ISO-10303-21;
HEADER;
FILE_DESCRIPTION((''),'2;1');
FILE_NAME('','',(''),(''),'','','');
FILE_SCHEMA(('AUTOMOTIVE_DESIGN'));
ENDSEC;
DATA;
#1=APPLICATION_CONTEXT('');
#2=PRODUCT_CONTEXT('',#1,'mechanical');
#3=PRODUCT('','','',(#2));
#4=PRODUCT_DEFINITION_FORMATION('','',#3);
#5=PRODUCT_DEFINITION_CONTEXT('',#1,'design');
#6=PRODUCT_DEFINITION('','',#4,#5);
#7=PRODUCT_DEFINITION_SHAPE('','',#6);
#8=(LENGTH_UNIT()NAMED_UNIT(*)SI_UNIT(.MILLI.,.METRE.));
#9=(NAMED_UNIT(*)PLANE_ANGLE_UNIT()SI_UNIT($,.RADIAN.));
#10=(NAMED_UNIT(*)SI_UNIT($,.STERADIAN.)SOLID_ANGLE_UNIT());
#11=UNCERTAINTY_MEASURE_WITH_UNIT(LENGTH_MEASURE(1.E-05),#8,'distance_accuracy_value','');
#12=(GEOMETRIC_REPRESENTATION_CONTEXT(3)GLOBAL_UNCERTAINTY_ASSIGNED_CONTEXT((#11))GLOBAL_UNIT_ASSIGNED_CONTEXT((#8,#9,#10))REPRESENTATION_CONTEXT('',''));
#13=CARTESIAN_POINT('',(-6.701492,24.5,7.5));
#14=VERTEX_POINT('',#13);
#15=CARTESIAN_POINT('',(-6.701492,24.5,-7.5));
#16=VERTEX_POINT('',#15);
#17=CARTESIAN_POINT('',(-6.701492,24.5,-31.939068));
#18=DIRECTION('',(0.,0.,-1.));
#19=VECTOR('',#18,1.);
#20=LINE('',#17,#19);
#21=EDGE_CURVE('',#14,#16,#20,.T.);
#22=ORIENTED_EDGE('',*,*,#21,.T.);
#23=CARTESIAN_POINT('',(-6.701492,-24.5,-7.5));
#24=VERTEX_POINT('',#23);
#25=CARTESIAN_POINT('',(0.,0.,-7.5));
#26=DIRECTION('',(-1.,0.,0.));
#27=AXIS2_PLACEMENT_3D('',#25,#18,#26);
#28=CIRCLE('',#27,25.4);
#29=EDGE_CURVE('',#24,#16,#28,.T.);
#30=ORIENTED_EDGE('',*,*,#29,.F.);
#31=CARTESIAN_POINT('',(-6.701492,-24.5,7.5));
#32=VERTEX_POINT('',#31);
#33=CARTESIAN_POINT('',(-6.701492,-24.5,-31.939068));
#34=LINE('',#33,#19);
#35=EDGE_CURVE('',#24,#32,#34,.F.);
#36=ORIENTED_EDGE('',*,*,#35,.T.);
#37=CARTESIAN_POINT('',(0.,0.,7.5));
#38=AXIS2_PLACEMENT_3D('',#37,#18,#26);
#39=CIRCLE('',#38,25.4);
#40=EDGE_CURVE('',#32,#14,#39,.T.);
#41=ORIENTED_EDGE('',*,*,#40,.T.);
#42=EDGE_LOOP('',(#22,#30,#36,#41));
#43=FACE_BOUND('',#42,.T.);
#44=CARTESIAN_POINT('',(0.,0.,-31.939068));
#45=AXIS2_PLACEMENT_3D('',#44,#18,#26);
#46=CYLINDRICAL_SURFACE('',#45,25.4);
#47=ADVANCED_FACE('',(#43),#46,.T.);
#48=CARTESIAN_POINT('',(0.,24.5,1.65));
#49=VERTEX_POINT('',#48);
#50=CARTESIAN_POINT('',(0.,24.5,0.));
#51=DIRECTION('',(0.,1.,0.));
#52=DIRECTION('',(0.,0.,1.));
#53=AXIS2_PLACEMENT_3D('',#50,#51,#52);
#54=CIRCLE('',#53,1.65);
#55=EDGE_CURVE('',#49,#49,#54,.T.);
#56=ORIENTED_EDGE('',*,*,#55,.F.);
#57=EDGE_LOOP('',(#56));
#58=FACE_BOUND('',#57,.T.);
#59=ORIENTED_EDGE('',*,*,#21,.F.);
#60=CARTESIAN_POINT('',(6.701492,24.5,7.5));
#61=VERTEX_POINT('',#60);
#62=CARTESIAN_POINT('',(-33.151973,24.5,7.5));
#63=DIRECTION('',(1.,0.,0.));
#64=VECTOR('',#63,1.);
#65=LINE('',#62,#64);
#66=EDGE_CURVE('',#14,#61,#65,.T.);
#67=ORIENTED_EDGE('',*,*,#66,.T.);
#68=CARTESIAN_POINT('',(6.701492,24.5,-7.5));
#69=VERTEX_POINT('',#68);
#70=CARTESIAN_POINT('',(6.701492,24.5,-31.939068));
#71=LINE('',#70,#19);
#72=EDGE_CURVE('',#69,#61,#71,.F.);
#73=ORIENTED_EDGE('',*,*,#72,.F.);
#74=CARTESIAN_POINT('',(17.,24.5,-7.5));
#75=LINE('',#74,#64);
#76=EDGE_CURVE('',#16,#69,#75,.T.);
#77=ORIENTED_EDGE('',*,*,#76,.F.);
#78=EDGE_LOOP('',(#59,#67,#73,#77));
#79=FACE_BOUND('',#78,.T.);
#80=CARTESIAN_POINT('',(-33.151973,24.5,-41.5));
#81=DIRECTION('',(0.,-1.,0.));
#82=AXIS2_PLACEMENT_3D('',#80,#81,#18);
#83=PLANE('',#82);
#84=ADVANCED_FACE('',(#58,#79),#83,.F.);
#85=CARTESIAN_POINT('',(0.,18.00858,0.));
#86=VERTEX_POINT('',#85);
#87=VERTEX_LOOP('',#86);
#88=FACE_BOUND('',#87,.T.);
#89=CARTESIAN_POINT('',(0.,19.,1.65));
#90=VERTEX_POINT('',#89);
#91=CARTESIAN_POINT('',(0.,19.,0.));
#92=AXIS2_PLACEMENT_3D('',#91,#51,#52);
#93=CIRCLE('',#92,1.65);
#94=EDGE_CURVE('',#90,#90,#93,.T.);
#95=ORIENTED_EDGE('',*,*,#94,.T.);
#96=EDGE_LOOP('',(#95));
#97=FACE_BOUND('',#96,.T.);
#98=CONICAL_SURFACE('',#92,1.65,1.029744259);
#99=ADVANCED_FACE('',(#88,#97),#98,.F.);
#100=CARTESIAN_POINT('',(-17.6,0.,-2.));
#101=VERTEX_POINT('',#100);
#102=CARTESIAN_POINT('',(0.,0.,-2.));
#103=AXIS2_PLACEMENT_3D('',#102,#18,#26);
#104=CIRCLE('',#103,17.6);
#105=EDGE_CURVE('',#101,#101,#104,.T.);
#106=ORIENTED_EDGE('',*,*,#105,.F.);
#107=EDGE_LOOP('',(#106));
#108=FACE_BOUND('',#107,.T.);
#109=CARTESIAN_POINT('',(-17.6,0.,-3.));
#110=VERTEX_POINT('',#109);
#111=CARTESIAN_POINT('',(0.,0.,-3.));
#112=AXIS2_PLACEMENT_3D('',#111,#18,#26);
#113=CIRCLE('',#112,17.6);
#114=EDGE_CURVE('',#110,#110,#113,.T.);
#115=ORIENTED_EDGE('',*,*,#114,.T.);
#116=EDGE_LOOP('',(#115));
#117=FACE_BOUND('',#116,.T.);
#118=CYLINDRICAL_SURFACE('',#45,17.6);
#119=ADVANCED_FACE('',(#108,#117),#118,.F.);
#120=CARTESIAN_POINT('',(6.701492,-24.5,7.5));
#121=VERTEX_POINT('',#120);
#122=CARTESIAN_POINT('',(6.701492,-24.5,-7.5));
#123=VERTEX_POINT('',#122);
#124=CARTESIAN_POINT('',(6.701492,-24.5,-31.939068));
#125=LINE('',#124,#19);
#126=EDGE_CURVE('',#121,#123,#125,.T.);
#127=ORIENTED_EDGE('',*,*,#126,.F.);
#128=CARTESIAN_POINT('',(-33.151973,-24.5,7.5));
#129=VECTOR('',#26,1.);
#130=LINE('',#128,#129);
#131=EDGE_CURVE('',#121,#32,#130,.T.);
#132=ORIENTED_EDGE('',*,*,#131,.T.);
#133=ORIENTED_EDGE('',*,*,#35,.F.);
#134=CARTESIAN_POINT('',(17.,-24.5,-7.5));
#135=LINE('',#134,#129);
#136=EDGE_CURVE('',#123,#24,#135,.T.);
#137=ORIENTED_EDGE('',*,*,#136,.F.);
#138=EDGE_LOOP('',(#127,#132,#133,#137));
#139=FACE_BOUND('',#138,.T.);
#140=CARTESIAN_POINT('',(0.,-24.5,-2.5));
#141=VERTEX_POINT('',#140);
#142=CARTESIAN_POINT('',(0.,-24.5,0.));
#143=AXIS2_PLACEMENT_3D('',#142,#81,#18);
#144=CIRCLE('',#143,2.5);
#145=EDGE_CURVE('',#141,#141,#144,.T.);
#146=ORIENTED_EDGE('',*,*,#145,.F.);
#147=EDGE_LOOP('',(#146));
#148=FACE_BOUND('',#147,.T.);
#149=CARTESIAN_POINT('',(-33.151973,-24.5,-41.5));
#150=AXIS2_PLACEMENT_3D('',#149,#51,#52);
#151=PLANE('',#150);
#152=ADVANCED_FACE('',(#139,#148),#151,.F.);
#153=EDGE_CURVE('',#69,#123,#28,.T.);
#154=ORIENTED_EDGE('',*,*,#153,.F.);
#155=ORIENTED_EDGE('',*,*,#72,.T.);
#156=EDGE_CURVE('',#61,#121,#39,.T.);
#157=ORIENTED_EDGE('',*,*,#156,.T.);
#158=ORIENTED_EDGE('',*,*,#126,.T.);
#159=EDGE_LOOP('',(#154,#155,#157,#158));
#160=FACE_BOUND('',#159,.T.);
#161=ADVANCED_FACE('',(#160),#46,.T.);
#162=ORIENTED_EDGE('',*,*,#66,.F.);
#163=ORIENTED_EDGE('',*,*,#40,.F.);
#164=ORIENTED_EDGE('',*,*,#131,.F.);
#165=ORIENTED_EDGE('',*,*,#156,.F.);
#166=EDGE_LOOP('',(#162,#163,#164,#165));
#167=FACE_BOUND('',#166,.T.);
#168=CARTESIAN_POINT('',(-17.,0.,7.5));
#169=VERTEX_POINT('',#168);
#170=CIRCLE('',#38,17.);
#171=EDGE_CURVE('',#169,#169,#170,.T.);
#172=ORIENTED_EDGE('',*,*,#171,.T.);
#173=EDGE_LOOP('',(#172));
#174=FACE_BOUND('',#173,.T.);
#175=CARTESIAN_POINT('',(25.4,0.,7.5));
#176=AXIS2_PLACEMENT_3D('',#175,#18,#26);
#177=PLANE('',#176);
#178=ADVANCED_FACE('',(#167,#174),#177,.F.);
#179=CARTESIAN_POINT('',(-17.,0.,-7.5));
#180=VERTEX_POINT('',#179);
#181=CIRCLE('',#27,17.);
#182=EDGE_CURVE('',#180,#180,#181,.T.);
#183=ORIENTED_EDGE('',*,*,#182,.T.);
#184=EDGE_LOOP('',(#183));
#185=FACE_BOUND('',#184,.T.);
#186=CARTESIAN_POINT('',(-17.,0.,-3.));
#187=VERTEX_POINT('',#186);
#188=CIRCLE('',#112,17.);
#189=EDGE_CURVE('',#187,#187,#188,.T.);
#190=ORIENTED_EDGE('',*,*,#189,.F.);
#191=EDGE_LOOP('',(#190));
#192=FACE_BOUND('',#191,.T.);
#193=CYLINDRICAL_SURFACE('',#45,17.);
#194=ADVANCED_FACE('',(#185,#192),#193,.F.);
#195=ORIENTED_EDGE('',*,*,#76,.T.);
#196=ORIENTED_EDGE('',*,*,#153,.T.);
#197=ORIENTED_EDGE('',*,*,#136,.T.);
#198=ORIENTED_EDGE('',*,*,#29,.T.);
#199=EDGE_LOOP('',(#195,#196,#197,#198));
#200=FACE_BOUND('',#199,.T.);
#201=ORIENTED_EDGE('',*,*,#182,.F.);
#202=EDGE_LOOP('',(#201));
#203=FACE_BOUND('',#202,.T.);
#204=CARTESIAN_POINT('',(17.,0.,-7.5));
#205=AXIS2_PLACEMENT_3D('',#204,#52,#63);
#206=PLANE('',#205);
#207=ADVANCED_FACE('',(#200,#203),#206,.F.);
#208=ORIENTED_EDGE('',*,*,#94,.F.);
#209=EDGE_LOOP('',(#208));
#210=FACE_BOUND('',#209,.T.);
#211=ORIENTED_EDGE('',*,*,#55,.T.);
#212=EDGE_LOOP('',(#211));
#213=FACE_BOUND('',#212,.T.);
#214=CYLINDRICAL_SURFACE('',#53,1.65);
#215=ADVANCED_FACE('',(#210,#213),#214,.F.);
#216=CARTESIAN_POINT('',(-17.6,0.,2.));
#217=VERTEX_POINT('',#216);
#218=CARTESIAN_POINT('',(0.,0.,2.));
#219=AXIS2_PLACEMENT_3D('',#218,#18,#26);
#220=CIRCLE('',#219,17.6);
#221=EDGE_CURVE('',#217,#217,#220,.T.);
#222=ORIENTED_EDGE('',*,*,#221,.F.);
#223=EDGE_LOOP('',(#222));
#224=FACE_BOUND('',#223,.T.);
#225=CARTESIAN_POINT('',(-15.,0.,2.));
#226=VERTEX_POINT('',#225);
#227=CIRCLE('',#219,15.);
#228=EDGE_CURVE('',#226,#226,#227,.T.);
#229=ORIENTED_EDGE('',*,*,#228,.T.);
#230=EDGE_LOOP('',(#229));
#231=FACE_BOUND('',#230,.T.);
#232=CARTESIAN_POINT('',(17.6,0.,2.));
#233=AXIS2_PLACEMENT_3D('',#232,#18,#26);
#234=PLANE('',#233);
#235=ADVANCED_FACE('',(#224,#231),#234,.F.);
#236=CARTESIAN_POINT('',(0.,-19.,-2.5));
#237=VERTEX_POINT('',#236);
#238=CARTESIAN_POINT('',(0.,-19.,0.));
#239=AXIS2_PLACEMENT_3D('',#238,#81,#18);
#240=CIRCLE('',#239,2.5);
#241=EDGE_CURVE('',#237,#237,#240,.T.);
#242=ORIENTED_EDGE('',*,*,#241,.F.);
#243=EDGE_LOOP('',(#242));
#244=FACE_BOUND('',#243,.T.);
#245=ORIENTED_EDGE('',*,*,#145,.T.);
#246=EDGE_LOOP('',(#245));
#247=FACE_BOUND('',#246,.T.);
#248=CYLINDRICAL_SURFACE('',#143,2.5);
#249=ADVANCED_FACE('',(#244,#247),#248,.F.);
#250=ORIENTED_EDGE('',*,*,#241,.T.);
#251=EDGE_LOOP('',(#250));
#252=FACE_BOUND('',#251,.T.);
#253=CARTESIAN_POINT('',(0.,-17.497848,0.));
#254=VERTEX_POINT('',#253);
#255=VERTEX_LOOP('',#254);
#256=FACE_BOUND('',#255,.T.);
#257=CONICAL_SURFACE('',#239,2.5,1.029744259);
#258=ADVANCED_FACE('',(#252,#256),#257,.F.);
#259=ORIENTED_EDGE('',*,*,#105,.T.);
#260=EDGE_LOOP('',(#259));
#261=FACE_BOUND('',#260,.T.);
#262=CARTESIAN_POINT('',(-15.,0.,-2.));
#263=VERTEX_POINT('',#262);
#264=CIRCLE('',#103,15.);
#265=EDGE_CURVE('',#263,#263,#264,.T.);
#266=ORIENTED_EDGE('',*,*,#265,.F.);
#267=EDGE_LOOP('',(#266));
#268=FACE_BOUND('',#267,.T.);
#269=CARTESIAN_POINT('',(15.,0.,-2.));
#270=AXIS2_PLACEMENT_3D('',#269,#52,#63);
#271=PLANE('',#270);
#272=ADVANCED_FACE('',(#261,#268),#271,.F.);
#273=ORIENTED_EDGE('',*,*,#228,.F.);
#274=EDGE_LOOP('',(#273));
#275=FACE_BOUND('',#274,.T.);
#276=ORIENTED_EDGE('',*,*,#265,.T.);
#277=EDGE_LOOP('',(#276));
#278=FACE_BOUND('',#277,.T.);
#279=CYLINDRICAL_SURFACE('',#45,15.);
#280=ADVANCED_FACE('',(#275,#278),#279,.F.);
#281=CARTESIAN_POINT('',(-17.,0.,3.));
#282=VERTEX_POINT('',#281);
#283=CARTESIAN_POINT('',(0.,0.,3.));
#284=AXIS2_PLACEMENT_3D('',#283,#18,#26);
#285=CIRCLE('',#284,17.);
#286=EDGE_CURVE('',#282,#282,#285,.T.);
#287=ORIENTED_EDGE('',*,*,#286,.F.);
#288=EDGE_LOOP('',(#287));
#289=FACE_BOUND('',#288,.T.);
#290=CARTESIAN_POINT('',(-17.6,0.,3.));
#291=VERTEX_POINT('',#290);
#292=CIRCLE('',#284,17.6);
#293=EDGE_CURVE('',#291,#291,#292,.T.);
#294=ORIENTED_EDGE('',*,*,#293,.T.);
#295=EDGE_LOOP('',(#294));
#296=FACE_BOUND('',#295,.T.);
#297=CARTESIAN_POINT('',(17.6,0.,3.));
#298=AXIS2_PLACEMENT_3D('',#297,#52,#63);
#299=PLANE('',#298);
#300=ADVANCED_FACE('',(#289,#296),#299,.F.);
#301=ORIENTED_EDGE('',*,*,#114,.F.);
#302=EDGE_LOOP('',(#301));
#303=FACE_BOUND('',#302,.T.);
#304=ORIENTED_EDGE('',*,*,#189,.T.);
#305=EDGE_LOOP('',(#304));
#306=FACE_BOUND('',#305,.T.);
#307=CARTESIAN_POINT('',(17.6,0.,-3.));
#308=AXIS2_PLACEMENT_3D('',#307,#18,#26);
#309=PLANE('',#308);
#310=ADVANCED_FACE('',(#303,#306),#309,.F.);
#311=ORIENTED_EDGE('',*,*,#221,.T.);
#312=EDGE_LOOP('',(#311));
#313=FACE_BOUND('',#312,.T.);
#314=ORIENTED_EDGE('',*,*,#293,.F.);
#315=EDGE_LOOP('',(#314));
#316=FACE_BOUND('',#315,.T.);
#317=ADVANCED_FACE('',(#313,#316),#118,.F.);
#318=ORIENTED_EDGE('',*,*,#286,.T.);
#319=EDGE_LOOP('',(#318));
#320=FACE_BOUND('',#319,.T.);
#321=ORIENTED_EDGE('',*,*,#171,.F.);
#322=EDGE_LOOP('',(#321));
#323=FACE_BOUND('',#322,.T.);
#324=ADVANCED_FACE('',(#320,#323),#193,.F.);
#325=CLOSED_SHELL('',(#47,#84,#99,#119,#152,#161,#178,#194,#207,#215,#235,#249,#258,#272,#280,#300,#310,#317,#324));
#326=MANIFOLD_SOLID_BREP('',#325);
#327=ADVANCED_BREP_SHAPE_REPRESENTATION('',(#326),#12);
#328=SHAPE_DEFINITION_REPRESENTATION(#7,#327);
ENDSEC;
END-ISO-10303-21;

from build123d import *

# Parameters (mm, degrees)
SKETCH_2_W             = 64.02174429
SKETCH_2_H             = 9.248919907
CUT_EXTRUDE_1_DEPTH    = 49
HOLE_WIZARD_M4_2_D     = 3.3
HOLE_WIZARD_M4_2_DEPTH = 5.5
HOLE_WIZARD_M4_2_TIP   = 0.991420021
HOLE_WIZARD_M6_2_D     = 5
HOLE_WIZARD_M6_2_DEPTH = 5.5
HOLE_WIZARD_M6_2_TIP   = 1.502151548


with BuildPart() as part:
    # 草图1 → 旋转1 (revolve)
    with BuildSketch(Plane(origin=(0, 0, 0), x_dir=(1, 0, 0), z_dir=(0, 1, 0)), mode=Mode.PRIVATE) as revolve_1_sk:
        Polygon((25.4, 7.5), (25.4, -7.5), (17, -7.5), (17, -3), (17.6, -3), (17.6, -2), (15, -2), (15, 2), (17.6, 2), (17.6, 3), (17, 3), (17, 7.5), align=None)
    revolve(revolve_1_sk.sketch.rotate(Axis((0, 0, -31.9390681), (0, 0, 1)), 180), axis=Axis((0, 0, -31.9390681), (0, 0, 1)))  # turned: the seam where the file's is

    # 草图2 → 切除-拉伸1 (cut)
    with BuildSketch(Plane.XY.offset(7.5)):
        with Locations((-1.141100508, 29.124459954)):
            Rectangle(SKETCH_2_W, SKETCH_2_H)
        with Locations((-1.141100508, -29.124459954)):
            Rectangle(SKETCH_2_W, SKETCH_2_H)
    extrude(amount=-CUT_EXTRUDE_1_DEPTH, mode=Mode.SUBTRACT)

    # M4 螺纹孔2
    with Locations(Plane(origin=(0, 24.5, 0), x_dir=(1, 0, 0), z_dir=(0, 1, 0))):
        with Locations((0, 0)):
            Hole(HOLE_WIZARD_M4_2_D / 2, depth=HOLE_WIZARD_M4_2_DEPTH)
            with Locations((0, 0, -(HOLE_WIZARD_M4_2_DEPTH + HOLE_WIZARD_M4_2_TIP / 2))):  # 118° drill point
                Cone(0, HOLE_WIZARD_M4_2_D / 2, HOLE_WIZARD_M4_2_TIP, mode=Mode.SUBTRACT)

    # M6 螺纹孔2
    with Locations(Plane(origin=(0, -24.5, 0), x_dir=(-1, 0, 0), z_dir=(0, -1, 0))):
        with Locations((0, 0)):
            Hole(HOLE_WIZARD_M6_2_D / 2, depth=HOLE_WIZARD_M6_2_DEPTH)
            with Locations((0, 0, -(HOLE_WIZARD_M6_2_DEPTH + HOLE_WIZARD_M6_2_TIP / 2))):  # 118° drill point
                Cone(0, HOLE_WIZARD_M6_2_D / 2, HOLE_WIZARD_M6_2_TIP, mode=Mode.SUBTRACT)


solid = part.part
